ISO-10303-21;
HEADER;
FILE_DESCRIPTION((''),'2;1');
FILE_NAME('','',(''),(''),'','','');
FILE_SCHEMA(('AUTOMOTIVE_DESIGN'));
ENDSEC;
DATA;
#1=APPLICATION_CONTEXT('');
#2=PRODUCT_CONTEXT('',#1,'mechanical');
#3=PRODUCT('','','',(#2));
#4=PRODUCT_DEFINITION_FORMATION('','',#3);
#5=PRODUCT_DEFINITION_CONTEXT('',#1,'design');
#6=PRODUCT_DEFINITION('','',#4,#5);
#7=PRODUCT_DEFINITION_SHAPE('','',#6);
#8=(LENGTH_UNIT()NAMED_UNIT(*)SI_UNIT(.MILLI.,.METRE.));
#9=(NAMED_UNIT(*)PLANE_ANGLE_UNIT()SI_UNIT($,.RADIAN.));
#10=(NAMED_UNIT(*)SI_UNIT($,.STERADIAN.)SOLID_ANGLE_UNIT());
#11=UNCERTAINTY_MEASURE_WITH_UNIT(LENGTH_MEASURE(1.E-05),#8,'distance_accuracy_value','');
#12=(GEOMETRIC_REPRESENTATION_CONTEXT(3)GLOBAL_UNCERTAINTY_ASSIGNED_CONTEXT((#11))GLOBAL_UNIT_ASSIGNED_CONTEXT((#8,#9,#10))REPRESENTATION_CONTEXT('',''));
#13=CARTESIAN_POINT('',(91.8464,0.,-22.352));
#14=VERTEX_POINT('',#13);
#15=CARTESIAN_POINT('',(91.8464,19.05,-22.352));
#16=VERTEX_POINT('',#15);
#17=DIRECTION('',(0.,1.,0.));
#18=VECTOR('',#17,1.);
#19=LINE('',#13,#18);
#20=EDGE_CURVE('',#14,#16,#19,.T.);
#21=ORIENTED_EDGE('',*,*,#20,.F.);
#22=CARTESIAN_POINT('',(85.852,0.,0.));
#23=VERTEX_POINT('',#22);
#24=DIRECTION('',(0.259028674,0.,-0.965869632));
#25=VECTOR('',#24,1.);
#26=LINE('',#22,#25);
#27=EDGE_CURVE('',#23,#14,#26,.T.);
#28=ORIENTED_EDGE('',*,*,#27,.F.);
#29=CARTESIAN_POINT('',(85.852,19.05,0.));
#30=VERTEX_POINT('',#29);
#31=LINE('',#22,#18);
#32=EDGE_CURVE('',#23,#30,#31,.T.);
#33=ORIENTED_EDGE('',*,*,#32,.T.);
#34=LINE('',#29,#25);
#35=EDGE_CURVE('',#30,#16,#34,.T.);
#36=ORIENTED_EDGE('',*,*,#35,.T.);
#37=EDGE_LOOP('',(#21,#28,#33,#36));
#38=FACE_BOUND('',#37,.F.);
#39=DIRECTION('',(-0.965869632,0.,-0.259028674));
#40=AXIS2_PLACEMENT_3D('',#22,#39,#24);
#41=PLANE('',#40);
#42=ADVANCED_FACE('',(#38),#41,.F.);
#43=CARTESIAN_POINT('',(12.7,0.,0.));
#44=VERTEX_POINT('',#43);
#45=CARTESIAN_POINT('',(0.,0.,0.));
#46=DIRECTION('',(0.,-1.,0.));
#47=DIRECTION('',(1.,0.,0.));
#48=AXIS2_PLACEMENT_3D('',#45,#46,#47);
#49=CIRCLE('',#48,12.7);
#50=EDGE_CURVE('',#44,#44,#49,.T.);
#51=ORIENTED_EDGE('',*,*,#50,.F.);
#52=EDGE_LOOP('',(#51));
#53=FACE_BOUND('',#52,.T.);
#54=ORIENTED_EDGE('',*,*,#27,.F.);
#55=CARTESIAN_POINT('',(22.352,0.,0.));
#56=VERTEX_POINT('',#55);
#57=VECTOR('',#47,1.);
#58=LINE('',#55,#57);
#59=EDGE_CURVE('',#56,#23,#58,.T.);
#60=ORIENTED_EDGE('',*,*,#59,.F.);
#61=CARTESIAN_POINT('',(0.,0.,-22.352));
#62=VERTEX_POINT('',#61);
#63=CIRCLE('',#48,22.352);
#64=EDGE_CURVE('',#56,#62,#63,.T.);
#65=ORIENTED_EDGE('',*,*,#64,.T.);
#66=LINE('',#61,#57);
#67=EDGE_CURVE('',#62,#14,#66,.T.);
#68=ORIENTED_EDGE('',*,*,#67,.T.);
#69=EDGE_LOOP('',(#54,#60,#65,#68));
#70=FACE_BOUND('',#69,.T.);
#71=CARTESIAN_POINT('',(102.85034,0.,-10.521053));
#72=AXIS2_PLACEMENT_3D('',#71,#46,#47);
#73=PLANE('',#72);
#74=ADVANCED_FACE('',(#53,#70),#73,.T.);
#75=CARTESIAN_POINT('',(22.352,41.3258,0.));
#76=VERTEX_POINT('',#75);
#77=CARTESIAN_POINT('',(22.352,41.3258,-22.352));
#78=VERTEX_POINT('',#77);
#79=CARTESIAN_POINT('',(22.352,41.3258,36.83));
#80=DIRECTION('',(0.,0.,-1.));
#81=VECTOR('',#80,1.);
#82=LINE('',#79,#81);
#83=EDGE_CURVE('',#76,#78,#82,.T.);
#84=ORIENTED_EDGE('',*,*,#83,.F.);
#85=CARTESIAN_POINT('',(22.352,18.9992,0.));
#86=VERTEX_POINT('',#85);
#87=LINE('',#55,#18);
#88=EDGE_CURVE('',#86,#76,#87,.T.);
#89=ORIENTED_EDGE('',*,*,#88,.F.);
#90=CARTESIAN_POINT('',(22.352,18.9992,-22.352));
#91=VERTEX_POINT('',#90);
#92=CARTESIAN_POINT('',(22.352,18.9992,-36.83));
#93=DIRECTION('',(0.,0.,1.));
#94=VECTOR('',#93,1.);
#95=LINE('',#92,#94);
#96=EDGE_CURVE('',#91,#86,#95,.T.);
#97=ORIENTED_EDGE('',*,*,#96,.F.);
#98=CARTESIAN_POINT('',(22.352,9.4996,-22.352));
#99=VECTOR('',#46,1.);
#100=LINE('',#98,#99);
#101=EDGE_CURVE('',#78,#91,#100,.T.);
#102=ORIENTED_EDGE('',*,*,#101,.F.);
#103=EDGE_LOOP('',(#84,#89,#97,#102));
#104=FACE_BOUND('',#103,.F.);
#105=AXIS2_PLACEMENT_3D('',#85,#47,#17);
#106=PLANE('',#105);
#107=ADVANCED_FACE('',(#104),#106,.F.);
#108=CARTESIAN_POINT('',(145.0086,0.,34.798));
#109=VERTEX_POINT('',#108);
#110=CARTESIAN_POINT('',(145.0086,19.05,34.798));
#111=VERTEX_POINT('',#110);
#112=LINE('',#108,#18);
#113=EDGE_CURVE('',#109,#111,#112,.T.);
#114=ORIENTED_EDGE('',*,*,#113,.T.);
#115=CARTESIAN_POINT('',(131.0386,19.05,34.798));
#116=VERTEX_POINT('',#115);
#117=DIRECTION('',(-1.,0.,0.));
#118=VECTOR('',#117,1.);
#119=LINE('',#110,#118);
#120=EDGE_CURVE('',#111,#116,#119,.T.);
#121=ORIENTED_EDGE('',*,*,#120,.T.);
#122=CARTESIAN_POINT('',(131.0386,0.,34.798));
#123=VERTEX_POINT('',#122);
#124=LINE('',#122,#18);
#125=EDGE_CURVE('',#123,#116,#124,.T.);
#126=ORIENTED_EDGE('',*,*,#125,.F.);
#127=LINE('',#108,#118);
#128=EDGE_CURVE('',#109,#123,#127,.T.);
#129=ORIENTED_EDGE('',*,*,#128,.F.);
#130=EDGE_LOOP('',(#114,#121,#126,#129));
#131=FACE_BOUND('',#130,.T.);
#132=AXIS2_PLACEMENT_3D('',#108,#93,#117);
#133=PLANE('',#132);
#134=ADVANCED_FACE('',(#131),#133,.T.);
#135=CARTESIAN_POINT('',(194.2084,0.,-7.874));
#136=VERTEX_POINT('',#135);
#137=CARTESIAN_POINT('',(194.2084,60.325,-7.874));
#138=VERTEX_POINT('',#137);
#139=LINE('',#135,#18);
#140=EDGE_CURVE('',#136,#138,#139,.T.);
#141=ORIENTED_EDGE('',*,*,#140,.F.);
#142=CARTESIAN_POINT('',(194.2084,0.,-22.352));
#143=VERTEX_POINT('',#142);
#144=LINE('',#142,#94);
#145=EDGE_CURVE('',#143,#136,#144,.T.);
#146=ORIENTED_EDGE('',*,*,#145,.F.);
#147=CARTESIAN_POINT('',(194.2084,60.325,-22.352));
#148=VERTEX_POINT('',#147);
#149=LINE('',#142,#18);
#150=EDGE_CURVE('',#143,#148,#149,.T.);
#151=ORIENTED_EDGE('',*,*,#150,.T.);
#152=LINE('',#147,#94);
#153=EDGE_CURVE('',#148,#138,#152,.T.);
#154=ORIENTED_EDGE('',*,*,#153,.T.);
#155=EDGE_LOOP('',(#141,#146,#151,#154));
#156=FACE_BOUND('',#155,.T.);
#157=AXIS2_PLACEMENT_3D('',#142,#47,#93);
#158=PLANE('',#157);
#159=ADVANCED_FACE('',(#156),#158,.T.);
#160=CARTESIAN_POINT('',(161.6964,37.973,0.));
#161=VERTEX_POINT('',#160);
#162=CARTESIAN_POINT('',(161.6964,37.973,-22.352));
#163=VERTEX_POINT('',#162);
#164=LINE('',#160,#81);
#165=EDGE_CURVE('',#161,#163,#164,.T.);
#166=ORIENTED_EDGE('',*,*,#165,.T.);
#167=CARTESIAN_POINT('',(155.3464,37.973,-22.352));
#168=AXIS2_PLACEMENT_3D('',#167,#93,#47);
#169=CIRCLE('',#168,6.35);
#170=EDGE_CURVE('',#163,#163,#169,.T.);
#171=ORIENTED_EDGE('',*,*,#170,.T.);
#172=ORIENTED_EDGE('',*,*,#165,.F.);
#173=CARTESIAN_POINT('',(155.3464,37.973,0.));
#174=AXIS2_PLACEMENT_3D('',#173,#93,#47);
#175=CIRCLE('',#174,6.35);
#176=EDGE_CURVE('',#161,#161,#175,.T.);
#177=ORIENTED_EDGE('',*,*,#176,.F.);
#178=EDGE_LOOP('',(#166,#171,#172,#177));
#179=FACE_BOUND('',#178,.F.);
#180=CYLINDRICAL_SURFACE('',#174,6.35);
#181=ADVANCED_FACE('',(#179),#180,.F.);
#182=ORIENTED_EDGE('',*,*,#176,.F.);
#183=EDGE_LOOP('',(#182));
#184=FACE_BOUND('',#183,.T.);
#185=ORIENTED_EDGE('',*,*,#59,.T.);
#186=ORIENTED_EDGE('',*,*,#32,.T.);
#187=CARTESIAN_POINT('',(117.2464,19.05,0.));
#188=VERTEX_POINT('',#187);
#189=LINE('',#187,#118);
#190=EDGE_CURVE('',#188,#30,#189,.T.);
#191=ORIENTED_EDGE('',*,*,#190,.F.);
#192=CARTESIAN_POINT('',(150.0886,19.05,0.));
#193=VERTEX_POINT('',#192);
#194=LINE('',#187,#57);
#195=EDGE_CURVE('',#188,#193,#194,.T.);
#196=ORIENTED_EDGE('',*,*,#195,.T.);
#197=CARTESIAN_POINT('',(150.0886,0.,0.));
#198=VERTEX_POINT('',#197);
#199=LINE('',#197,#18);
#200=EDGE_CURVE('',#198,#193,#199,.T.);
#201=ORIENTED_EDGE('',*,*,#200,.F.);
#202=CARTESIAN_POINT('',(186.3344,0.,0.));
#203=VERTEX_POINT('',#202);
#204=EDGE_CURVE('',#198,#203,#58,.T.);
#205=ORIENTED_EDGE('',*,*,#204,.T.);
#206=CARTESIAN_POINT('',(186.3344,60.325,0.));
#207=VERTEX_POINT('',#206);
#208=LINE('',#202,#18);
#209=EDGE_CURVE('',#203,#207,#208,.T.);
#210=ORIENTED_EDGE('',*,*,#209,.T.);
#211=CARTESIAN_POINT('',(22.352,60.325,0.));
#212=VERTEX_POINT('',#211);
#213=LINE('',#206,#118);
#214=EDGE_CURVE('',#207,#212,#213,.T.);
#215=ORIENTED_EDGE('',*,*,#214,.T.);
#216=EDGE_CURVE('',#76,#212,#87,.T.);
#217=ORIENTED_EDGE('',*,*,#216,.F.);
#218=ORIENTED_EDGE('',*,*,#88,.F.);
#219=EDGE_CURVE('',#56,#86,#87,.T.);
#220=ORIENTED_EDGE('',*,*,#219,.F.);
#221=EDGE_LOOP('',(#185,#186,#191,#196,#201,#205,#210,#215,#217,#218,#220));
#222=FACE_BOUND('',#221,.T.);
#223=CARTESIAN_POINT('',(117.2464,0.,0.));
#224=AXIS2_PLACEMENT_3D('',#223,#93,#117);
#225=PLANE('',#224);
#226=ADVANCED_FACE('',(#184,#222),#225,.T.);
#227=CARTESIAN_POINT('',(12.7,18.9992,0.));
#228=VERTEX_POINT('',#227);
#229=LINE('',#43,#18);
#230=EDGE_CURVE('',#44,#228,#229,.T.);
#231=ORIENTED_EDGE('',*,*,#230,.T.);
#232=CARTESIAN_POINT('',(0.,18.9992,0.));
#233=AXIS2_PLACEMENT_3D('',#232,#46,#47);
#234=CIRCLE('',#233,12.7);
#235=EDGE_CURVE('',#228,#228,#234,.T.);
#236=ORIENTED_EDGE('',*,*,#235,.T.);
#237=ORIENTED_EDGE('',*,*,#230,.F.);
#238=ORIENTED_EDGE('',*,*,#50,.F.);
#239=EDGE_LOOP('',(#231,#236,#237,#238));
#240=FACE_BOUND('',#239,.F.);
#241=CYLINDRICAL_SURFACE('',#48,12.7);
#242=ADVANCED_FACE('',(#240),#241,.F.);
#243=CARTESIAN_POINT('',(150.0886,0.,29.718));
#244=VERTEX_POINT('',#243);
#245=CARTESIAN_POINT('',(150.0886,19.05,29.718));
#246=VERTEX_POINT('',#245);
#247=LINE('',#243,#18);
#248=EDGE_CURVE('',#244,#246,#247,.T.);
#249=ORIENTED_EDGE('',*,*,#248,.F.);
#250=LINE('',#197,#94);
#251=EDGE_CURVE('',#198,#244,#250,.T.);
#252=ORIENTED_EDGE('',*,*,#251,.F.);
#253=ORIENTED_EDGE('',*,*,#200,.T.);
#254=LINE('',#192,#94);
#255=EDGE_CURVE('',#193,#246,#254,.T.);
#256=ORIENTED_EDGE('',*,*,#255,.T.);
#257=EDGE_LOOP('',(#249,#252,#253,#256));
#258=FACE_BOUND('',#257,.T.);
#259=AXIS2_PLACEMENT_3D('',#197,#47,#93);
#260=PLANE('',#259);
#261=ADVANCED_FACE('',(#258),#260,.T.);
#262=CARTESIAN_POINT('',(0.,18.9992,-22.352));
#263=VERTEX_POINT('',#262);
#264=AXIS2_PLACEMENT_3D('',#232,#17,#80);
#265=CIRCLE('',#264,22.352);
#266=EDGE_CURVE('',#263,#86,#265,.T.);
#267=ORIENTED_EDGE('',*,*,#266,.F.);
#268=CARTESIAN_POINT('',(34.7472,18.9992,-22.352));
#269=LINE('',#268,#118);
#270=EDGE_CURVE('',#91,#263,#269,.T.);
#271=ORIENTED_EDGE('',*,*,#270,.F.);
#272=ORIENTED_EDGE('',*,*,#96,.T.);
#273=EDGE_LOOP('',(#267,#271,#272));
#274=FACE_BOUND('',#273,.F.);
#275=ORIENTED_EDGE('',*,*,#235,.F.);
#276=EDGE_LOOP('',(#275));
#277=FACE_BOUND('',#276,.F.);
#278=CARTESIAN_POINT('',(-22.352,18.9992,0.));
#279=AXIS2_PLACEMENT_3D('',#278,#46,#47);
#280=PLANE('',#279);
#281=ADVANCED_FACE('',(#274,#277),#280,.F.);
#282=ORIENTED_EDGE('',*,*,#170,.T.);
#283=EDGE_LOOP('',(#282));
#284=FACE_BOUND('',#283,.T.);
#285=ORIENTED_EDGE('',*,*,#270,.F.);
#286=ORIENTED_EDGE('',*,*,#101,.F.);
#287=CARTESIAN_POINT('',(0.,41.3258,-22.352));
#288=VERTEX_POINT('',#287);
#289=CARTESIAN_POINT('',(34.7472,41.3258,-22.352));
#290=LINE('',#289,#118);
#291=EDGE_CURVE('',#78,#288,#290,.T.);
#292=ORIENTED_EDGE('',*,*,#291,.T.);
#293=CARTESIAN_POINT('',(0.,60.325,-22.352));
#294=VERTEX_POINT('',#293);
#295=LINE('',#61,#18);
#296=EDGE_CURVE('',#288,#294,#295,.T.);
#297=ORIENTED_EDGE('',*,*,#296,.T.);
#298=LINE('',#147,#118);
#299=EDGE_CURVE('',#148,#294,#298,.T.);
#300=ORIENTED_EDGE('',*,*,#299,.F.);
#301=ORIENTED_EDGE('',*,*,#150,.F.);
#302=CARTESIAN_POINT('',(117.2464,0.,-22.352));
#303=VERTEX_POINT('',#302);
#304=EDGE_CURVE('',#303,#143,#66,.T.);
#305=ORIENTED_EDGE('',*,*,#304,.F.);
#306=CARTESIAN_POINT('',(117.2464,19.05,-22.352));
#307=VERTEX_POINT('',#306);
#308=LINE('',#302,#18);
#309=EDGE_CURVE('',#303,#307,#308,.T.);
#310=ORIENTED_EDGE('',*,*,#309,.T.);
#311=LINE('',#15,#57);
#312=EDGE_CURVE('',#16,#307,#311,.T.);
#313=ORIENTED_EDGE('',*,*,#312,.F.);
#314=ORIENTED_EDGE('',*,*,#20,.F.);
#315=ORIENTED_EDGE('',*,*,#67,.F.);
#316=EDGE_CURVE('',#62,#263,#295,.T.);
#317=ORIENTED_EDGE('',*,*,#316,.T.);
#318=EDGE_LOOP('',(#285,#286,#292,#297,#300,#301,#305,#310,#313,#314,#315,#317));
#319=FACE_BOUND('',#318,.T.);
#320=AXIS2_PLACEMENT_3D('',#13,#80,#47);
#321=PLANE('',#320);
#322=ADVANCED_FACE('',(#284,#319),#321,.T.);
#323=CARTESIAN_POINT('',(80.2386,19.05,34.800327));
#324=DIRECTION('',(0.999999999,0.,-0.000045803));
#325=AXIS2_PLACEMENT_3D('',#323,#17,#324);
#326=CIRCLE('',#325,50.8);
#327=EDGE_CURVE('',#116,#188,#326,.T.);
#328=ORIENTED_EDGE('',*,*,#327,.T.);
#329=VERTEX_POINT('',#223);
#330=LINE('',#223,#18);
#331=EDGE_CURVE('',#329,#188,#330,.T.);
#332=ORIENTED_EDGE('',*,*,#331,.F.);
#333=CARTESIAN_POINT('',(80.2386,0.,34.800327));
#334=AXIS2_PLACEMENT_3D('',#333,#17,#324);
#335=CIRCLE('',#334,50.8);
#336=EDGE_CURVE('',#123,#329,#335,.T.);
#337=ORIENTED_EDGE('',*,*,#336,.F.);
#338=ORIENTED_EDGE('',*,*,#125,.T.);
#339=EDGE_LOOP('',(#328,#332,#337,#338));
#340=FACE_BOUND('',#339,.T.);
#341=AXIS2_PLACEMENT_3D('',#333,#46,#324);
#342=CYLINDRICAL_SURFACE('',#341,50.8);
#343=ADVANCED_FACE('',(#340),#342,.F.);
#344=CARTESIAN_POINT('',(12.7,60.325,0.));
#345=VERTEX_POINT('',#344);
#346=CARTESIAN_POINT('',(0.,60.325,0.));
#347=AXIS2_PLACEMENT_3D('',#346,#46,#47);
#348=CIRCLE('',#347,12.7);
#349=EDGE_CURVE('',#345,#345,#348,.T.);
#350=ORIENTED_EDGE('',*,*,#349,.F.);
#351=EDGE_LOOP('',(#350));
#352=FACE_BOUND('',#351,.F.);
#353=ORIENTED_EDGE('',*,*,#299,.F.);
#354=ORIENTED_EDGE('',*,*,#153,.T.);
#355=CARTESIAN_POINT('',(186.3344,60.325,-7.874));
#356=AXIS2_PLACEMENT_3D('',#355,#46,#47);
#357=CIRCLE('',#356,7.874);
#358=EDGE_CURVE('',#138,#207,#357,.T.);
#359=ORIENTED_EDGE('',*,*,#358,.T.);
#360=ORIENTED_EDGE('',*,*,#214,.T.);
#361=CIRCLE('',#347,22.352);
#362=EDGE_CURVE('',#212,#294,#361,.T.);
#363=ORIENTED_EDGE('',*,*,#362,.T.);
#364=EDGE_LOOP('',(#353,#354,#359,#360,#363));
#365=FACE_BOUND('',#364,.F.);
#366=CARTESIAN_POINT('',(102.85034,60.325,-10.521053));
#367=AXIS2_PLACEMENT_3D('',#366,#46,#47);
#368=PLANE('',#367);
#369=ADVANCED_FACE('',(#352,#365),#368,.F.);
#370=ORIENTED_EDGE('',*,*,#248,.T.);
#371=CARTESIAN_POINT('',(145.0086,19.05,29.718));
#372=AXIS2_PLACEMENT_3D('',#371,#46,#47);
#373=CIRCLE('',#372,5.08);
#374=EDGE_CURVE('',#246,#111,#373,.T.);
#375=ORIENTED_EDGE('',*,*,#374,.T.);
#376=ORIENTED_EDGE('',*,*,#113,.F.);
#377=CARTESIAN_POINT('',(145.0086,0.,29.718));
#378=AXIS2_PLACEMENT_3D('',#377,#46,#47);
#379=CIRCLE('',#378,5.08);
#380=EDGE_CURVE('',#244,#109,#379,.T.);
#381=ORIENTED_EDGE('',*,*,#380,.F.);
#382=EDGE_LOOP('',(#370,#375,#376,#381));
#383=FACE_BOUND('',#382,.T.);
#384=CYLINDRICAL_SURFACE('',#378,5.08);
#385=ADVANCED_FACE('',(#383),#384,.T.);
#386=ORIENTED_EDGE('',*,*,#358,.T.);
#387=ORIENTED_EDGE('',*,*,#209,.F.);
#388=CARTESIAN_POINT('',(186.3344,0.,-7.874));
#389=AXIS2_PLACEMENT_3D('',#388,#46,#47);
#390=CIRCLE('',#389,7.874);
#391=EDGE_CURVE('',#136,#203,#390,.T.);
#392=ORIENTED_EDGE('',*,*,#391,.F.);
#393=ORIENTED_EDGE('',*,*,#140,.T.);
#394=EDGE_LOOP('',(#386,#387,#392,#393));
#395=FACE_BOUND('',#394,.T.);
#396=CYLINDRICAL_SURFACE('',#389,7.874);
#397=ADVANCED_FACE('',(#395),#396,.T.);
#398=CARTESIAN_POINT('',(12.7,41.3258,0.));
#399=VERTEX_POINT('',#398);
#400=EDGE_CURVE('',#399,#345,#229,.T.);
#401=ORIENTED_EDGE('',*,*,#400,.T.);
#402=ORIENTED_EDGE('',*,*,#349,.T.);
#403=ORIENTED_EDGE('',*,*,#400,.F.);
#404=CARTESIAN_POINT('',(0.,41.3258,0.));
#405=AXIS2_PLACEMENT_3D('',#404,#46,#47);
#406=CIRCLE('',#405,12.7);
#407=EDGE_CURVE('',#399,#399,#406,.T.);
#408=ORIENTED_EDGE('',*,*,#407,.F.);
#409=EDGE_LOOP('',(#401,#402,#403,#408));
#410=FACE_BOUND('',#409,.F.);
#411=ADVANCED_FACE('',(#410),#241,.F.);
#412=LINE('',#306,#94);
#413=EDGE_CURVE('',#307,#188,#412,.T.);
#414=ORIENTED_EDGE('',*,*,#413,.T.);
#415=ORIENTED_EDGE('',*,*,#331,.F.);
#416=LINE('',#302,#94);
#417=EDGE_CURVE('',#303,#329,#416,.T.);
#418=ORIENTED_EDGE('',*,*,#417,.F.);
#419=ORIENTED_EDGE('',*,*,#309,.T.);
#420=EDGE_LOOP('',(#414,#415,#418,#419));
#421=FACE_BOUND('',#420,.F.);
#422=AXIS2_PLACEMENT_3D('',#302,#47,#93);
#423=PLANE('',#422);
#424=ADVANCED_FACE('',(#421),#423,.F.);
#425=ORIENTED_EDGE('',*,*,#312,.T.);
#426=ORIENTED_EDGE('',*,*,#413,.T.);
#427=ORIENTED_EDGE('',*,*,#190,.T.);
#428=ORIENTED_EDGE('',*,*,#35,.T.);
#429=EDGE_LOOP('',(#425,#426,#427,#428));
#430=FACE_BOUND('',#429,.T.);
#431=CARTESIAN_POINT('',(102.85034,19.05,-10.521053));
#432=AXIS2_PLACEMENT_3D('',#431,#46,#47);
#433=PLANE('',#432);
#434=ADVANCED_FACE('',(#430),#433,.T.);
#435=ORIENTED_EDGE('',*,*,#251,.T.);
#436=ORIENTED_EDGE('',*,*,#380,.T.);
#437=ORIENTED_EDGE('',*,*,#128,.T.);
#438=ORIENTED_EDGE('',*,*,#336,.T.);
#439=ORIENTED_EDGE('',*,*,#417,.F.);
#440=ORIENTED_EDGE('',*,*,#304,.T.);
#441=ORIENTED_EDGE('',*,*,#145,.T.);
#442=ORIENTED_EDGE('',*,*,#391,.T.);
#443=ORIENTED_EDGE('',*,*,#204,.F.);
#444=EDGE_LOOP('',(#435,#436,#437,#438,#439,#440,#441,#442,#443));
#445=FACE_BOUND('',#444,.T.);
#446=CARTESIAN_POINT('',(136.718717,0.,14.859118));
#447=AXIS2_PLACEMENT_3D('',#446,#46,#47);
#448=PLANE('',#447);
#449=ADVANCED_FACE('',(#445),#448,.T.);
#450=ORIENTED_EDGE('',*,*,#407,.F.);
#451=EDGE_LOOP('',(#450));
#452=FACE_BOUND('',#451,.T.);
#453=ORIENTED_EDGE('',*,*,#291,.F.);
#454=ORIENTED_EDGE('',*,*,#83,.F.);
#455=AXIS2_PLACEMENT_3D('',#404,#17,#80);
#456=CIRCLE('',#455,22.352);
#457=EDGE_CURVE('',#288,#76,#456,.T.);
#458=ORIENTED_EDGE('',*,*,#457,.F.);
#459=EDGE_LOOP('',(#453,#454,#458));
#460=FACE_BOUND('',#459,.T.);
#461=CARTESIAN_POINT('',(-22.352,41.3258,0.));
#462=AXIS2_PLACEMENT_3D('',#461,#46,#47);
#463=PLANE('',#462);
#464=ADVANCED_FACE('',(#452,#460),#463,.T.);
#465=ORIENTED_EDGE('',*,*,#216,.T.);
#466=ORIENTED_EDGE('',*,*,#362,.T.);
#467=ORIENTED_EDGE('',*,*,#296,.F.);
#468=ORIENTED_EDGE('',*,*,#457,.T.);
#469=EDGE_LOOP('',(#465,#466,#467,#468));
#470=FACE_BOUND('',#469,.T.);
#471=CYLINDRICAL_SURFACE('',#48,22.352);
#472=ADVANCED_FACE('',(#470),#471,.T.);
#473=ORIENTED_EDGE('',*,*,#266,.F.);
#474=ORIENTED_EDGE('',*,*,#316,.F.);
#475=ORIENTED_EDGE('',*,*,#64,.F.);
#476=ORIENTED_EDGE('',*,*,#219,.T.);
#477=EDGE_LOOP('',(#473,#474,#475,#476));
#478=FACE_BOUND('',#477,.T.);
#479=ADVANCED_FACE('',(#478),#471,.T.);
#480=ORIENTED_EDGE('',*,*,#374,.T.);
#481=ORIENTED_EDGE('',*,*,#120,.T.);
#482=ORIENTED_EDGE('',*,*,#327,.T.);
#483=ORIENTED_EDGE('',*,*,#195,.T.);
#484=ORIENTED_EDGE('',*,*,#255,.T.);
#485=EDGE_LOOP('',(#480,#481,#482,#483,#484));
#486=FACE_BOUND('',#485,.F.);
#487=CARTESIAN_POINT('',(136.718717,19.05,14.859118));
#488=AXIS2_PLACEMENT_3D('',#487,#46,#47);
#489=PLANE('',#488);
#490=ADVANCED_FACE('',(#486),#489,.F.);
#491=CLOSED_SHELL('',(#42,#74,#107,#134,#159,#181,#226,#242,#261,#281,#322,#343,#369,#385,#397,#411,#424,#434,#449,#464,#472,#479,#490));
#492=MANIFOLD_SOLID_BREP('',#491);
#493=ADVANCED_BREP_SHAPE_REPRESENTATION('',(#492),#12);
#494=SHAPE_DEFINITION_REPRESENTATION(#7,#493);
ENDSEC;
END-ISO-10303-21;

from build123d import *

# Parameters (mm, degrees)
F0_R     = 12.7
F1_DEPTH = 60.325
F2_DEPTH = 60.325
F3_DEPTH = 60.325
F4_DEPTH = 19.05
F5_DEPTH = 19.05
F6_W     = 44.704
F6_H     = 22.3266
F7_DEPTH = 36.83
F8_R     = 6.35
F9_DEPTH = 25.4


with BuildPart() as f1:
    # F0 (on Front) → F1 (new body)
    with BuildSketch(Plane.XZ):
        with BuildLine():
            ThreePointArc((0, -22.352), (15.8052507731, -15.8052507731), (22.352, 0))
            ThreePointArc((22.352, 0), (-15.8052507731, 15.8052507731), (0, -22.352))
        make_face()
        Circle(F0_R, mode=Mode.SUBTRACT)
    extrude(amount=-F1_DEPTH)

    # F0 (on Front) → F2, piece 2 (join)
    with BuildSketch(Plane.XZ):
        with BuildLine():
            Line((85.852, 0), (22.352, 0))
            ThreePointArc((22.352, 0), (15.8052507731, -15.8052507731), (0, -22.352))
            Line((0, -22.352), (91.8464, -22.352))
            Line((91.8464, -22.352), (85.852, 0))
        make_face()
    extrude(amount=-F2_DEPTH)



with BuildPart() as f2:
    # F0 (on Front) → F2 (new body)
    with BuildSketch(Plane.XZ):
        with BuildLine():
            Line((150.0886, 0), (117.2464, 0))
            Line((117.2464, 0), (117.2464, -22.352))
            Line((117.2464, -22.352), (194.2084, -22.352))
            Line((194.2084, -22.352), (194.2084, -7.874))
            ThreePointArc((194.2084, -7.874), (191.9021587951, -2.3062412049), (186.3344, 0))
            Line((186.3344, 0), (150.0886, 0))
        make_face()
    extrude(amount=-F2_DEPTH)


with BuildPart() as f1_1:
    add(f1.part)

    add(f2.part)  # F3 merges F2
    # F0 (on Front) → F3 (join, through all)
    with BuildSketch(Plane.XZ):
        Polygon((117.2464, 0), (85.852, 0), (91.8464, -22.352), (117.2464, -22.352), align=None)
    extrude(amount=-F3_DEPTH)

    # F0 (on Front) → F4 (cut)
    with BuildSketch(Plane.XZ):
        Polygon((117.2464, 0), (85.852, 0), (91.8464, -22.352), (117.2464, -22.352), align=None)
    extrude(amount=-F4_DEPTH, mode=Mode.SUBTRACT)

    # F0 (on Front) → F5 (join)
    with BuildSketch(Plane.XZ):
        with BuildLine():
            ThreePointArc((131.0386, 34.798), (127.4644153616, 16.0823576341), (117.2464, 0))
            Line((117.2464, 0), (150.0886, 0))
            Line((150.0886, 0), (150.0886, 29.718))
            ThreePointArc((150.0886, 29.718), (148.6007024484, 33.3101024484), (145.0086, 34.798))
            Line((145.0086, 34.798), (131.0386, 34.798))
        make_face()
    extrude(amount=-F5_DEPTH)

    # F6 (on Top) → F7 (cut, symmetric)
    with BuildSketch(Plane.XY):
        with Locations((0, 30.1625)):
            Rectangle(F6_W, F6_H)
    extrude(amount=F7_DEPTH, both=True, mode=Mode.SUBTRACT)

    # F8 (on face) → F9 (cut)
    with BuildSketch(Plane.XY):
        with Locations((155.3464, 37.973)):
            Circle(F8_R)
    extrude(amount=-F9_DEPTH, mode=Mode.SUBTRACT)


solid = f1_1.part
